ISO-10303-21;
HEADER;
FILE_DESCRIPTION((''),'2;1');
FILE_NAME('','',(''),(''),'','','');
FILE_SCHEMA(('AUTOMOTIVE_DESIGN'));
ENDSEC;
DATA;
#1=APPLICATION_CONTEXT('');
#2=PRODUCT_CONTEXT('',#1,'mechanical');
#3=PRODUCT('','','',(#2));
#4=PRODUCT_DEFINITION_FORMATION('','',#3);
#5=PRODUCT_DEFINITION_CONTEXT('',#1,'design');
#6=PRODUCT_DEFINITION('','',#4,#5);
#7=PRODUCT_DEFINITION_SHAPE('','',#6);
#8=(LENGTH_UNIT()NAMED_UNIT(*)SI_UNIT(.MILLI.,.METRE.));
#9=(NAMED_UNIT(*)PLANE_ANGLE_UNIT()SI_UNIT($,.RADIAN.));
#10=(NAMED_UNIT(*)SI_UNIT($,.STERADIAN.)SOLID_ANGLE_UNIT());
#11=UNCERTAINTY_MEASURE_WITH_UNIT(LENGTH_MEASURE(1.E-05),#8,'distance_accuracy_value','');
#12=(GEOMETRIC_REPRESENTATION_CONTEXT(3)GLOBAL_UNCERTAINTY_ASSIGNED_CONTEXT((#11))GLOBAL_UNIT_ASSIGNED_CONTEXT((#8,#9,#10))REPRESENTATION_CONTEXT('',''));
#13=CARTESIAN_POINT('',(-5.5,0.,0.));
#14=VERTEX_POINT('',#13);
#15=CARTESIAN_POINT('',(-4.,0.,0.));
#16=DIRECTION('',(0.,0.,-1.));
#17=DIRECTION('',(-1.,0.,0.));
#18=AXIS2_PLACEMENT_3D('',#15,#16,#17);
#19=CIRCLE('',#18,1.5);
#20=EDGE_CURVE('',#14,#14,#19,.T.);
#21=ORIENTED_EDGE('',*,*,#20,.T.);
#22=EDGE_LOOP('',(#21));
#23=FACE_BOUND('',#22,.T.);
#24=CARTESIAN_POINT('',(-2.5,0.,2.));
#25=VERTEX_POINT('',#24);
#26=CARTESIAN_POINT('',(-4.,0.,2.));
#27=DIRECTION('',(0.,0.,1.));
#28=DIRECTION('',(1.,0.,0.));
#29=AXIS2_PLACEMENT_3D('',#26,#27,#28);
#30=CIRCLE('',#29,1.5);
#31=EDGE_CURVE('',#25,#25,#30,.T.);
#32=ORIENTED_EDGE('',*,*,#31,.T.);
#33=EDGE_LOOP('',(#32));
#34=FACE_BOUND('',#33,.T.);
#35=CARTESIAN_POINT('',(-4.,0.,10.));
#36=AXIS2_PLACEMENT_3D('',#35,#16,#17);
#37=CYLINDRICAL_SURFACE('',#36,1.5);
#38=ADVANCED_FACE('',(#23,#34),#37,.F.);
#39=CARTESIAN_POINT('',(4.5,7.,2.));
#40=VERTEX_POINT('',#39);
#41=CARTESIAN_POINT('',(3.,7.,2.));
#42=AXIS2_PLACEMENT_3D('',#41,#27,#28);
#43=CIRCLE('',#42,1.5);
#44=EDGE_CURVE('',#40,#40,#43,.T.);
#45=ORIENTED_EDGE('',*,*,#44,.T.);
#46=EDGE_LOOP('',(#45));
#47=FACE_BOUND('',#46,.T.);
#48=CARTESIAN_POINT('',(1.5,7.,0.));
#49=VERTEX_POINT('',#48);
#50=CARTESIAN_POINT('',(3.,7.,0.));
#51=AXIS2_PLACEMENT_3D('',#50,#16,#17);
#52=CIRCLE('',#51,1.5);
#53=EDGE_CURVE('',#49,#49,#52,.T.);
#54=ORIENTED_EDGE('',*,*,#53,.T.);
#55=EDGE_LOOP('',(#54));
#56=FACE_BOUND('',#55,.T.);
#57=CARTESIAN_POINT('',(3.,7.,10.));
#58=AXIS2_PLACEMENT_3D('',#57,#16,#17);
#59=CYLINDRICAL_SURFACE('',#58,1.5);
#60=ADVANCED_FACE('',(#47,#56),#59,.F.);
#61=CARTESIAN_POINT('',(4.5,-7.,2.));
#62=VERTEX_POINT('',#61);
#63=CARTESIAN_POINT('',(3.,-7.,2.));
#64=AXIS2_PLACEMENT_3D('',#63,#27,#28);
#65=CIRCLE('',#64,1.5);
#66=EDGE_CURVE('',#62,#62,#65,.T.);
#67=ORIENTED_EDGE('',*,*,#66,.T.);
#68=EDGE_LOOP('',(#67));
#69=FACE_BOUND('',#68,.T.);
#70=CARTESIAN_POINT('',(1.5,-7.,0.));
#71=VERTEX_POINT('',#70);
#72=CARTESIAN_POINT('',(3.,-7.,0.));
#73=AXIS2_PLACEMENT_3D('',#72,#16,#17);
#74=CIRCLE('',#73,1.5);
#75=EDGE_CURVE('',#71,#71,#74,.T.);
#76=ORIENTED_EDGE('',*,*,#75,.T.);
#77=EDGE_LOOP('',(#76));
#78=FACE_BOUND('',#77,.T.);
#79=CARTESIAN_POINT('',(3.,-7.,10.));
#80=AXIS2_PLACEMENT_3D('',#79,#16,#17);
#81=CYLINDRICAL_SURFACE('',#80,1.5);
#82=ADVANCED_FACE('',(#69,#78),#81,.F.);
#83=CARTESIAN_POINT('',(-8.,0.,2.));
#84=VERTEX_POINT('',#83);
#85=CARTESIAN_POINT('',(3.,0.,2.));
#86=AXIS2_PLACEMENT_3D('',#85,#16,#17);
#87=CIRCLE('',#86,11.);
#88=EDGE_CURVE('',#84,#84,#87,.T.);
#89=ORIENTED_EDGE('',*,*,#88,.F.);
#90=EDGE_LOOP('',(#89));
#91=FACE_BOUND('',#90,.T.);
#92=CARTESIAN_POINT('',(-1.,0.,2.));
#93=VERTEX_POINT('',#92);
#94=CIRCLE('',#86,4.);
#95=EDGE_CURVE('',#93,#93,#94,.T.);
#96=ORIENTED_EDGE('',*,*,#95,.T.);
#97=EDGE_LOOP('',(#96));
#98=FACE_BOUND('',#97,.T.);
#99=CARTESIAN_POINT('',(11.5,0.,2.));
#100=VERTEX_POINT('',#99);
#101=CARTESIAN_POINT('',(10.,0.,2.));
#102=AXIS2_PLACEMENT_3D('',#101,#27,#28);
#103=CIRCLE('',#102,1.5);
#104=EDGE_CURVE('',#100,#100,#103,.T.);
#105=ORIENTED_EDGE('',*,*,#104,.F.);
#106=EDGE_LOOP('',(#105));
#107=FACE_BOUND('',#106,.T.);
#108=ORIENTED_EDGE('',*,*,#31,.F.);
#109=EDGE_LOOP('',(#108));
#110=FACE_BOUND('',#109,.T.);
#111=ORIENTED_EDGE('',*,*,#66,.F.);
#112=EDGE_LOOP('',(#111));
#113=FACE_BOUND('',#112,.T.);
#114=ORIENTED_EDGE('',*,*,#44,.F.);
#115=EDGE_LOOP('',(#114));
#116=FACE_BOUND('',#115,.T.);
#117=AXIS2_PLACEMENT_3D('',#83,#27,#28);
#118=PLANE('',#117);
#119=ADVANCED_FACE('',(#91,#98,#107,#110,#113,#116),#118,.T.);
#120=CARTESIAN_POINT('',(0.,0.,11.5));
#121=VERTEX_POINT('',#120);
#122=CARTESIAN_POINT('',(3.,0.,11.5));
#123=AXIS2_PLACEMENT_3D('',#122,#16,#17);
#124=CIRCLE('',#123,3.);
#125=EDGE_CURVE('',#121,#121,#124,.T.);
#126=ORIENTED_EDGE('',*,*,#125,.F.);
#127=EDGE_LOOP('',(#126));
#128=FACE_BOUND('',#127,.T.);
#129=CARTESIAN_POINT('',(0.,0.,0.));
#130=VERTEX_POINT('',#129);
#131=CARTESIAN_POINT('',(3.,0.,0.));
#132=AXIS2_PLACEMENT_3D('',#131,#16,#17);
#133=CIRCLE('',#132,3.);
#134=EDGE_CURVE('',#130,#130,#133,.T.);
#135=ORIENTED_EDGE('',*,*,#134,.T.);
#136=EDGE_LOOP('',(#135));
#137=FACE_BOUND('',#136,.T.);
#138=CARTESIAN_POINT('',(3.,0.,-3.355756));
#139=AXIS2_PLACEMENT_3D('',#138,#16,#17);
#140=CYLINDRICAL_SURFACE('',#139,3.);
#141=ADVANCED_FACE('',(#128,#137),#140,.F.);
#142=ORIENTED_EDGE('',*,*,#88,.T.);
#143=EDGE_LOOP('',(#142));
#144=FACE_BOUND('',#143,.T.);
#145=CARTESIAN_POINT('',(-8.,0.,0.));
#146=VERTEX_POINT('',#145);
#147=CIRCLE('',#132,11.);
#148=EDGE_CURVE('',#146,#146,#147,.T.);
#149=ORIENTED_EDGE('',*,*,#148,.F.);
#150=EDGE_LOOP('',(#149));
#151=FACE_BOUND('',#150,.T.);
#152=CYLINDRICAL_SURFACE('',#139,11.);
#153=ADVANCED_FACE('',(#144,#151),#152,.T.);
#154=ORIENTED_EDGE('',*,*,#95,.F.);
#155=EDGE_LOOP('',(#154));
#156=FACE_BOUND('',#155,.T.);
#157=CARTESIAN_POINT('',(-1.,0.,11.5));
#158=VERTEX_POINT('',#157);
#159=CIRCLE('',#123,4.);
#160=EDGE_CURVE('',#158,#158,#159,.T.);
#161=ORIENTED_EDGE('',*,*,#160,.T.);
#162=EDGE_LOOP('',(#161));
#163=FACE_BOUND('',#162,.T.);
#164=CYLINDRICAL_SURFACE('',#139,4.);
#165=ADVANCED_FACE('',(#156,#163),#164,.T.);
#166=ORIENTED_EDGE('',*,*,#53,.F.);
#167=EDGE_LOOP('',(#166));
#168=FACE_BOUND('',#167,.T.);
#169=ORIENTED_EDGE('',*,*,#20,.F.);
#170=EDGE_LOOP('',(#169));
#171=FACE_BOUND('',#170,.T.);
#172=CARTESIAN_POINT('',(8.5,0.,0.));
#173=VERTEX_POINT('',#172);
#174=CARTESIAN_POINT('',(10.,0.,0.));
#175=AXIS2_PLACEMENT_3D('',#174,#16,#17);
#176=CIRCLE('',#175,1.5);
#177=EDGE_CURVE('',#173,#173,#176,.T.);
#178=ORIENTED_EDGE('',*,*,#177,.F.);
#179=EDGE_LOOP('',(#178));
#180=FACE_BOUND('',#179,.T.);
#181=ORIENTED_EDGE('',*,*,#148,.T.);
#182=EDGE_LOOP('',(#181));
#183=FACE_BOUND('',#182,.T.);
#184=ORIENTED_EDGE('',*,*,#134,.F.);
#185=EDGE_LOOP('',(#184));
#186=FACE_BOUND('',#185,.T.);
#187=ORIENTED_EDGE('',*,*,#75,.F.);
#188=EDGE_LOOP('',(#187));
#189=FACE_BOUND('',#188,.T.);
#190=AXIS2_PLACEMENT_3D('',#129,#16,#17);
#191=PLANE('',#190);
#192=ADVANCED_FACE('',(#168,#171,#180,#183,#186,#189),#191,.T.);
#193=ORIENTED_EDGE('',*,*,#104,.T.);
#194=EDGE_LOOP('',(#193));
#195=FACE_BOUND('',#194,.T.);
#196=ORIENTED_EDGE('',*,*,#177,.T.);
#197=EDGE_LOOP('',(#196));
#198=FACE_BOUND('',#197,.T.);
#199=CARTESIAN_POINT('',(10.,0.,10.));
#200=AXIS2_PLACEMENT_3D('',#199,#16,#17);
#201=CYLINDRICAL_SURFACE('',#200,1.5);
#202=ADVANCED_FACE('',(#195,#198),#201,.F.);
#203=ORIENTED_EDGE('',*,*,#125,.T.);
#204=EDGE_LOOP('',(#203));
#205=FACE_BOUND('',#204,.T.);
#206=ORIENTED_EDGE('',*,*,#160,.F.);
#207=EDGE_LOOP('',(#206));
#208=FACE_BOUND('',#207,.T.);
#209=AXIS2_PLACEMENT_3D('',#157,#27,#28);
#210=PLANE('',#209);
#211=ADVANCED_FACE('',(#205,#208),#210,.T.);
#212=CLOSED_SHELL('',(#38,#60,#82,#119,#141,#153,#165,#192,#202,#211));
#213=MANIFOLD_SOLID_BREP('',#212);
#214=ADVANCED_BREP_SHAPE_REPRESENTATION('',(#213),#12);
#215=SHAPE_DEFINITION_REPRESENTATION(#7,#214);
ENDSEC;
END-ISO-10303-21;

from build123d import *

# Parameters (mm, degrees)
SKETCH_2_R          = 1.5
CUT_EXTRUDE_1_DEPTH = 10


with BuildPart() as part:
    # 草图1 → 旋转1 (revolve)
    with BuildSketch(Plane(origin=(0, 0, 0), x_dir=(1, 0, 0), z_dir=(0, 1, 0))):
        Polygon((0, 0), (-8, 0), (-8, -2), (-1, -2), (-1, -11.5), (0, -11.5), align=None)
    revolve(axis=Axis((3, 0, -3.355756156), (0, 0, 1)))

    # 草图2 → 切除-拉伸1 (cut)
    with BuildSketch(Plane(origin=(0, 0, 0), x_dir=(-1, 0, 0), z_dir=(0, 0, -1))):
        with Locations((-3, 7)):
            Circle(SKETCH_2_R)
        with Locations((4, 0)):
            Circle(SKETCH_2_R)
        with Locations((-3, -7)):
            Circle(SKETCH_2_R)
        with Locations((-10, 0)):
            Circle(SKETCH_2_R)
    extrude(amount=-CUT_EXTRUDE_1_DEPTH, mode=Mode.SUBTRACT)


solid = part.part
